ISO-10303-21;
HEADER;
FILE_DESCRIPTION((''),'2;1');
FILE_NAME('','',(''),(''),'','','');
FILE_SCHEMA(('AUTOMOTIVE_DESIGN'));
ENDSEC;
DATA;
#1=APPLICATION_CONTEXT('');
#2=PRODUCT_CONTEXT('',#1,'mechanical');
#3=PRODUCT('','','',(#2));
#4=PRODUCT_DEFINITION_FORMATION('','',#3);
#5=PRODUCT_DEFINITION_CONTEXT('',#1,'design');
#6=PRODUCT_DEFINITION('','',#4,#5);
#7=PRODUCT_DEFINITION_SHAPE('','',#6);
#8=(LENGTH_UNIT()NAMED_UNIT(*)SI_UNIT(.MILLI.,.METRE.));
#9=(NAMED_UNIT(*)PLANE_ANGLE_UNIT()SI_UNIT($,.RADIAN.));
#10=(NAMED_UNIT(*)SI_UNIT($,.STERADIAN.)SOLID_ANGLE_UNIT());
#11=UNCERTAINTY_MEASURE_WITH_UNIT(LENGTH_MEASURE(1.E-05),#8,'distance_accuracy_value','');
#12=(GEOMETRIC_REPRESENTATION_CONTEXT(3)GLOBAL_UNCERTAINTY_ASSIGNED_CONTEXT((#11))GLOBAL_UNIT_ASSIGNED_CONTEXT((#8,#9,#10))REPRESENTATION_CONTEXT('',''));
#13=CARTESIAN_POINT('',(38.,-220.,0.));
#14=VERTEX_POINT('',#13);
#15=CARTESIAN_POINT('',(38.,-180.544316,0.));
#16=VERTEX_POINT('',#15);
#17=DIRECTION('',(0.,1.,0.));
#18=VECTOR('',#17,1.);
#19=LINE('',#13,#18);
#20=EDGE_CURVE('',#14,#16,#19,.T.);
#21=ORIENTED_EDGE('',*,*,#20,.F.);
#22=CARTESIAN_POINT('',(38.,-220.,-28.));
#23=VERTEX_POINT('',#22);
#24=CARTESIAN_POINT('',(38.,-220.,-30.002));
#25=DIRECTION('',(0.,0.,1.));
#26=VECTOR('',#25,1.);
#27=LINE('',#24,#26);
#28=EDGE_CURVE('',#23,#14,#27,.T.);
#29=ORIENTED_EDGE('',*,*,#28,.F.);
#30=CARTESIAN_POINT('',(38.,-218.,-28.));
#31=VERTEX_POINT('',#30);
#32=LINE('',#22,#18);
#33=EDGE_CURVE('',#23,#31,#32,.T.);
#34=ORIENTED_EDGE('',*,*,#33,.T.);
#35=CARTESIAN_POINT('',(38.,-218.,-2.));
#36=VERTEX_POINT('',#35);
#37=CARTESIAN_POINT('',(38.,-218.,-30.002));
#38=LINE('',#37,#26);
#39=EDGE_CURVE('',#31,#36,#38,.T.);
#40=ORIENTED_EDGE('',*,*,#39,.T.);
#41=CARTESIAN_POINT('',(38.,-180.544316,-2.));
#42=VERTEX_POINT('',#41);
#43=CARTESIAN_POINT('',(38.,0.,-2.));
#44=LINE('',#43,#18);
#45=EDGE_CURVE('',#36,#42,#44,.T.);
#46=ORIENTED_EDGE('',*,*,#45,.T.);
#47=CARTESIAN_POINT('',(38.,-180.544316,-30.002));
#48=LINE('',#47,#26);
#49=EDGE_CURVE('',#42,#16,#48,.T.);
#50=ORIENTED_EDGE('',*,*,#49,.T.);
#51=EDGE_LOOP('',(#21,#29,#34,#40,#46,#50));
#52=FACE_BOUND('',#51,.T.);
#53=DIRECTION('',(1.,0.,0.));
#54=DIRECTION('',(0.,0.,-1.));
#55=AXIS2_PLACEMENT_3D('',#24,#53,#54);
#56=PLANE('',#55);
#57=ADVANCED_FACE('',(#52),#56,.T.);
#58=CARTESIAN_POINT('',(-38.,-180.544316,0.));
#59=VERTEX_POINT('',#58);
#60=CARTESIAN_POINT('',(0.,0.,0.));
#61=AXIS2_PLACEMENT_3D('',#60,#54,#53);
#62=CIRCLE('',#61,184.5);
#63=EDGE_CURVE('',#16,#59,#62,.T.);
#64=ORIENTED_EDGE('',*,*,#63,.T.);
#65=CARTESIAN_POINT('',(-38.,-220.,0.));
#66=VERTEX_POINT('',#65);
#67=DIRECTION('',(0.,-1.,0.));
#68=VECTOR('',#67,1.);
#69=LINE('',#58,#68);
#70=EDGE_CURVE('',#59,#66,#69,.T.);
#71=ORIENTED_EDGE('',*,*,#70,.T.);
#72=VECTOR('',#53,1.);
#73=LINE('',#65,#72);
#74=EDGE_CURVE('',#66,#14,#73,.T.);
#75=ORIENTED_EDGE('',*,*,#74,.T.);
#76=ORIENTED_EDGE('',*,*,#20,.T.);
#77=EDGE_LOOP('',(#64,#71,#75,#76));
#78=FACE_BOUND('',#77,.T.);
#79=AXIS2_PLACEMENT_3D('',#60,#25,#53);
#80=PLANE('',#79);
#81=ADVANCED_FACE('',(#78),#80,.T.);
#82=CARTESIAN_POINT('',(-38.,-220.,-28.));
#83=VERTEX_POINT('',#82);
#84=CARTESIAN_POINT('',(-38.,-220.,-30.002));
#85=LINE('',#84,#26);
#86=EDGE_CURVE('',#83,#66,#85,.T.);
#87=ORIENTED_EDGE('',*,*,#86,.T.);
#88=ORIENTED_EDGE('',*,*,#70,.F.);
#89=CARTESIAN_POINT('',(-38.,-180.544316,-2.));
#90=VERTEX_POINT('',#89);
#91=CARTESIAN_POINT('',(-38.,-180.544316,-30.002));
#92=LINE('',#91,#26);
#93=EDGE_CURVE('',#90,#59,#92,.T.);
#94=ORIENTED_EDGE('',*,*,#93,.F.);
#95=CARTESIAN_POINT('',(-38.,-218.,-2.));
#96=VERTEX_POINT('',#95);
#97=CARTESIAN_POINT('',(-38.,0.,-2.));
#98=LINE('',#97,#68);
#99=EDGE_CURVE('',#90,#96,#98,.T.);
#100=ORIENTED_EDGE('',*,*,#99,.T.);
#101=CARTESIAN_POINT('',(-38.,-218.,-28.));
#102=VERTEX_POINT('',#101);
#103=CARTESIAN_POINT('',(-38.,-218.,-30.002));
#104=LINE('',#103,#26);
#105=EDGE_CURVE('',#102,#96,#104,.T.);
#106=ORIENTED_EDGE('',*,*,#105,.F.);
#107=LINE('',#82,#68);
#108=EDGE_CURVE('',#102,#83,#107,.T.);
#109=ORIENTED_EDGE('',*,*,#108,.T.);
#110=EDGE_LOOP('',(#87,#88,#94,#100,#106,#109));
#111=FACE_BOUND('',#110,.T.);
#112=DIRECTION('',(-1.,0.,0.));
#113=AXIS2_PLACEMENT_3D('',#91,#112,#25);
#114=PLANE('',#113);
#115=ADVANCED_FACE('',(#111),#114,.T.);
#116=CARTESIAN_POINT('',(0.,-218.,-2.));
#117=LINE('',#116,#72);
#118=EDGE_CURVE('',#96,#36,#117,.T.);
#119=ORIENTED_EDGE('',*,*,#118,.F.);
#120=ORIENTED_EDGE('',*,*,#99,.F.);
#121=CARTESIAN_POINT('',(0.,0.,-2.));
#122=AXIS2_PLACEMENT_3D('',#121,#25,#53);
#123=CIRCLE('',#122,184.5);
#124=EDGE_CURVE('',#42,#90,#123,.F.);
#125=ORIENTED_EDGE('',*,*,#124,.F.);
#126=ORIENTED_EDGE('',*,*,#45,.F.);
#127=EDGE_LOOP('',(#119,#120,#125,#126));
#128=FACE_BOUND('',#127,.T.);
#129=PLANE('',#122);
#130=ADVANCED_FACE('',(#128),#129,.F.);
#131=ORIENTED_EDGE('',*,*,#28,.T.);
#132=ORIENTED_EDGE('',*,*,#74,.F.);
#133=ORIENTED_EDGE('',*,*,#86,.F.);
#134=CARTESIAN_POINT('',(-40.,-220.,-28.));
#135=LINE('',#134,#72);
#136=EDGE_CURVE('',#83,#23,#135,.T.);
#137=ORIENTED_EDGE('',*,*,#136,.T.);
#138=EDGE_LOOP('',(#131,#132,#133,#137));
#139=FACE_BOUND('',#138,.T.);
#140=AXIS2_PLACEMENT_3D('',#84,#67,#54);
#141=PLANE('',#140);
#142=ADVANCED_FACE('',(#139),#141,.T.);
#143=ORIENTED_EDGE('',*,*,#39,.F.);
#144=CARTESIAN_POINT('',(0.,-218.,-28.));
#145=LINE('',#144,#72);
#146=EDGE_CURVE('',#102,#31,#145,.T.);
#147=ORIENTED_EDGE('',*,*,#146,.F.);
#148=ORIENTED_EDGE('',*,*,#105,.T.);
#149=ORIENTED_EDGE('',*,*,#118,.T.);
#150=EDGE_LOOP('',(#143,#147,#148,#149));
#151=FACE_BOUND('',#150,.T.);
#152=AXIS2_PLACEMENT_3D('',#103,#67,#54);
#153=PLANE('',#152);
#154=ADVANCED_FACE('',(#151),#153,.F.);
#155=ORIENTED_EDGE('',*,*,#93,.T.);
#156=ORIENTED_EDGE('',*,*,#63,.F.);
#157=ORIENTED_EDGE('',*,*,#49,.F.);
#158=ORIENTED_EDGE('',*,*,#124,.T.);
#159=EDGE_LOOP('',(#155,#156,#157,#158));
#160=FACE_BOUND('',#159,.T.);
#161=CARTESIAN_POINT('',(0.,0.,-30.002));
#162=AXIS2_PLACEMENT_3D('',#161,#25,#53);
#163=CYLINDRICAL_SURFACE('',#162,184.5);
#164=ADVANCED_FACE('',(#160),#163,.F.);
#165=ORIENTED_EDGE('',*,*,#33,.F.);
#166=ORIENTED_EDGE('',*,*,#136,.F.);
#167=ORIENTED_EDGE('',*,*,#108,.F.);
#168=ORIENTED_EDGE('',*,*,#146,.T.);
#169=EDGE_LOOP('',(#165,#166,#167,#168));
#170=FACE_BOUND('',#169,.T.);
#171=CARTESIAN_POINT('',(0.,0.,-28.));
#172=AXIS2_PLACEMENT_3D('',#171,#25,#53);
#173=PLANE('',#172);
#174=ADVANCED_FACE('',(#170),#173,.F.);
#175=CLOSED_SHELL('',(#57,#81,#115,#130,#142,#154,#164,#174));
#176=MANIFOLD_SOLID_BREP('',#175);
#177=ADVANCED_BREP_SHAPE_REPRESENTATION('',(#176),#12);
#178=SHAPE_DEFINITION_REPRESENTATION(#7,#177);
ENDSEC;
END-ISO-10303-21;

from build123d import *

# Parameters (mm, degrees)
BOSS_EXTRUDE1_DEPTH = 28
SHELL1_T            = -2


with BuildPart() as part:
    # Sketch1 → Boss-Extrude1 (new body)
    with BuildSketch(Plane.XY):
        with BuildLine():
            Line((38, -220), (38, -180.544315889))
            ThreePointArc((38, -180.544315889), (0, -184.5), (-38, -180.544315889))
            Line((-38, -180.544315889), (-38, -220))
            Line((-38, -220), (38, -220))
        make_face()
    extrude(amount=-BOSS_EXTRUDE1_DEPTH)

    # Shell1
    shell1_openings = [part.faces().sort_by_distance(p)[0] for p in [
        (38, -200.272157945, -14),
        (0, -184.5, -14),
        (0, -201.574740198, -28),
        (-38, -200.272157945, -14),
    ]]
    offset(amount=SHELL1_T, openings=shell1_openings, kind=Kind.INTERSECTION)


solid = part.part
